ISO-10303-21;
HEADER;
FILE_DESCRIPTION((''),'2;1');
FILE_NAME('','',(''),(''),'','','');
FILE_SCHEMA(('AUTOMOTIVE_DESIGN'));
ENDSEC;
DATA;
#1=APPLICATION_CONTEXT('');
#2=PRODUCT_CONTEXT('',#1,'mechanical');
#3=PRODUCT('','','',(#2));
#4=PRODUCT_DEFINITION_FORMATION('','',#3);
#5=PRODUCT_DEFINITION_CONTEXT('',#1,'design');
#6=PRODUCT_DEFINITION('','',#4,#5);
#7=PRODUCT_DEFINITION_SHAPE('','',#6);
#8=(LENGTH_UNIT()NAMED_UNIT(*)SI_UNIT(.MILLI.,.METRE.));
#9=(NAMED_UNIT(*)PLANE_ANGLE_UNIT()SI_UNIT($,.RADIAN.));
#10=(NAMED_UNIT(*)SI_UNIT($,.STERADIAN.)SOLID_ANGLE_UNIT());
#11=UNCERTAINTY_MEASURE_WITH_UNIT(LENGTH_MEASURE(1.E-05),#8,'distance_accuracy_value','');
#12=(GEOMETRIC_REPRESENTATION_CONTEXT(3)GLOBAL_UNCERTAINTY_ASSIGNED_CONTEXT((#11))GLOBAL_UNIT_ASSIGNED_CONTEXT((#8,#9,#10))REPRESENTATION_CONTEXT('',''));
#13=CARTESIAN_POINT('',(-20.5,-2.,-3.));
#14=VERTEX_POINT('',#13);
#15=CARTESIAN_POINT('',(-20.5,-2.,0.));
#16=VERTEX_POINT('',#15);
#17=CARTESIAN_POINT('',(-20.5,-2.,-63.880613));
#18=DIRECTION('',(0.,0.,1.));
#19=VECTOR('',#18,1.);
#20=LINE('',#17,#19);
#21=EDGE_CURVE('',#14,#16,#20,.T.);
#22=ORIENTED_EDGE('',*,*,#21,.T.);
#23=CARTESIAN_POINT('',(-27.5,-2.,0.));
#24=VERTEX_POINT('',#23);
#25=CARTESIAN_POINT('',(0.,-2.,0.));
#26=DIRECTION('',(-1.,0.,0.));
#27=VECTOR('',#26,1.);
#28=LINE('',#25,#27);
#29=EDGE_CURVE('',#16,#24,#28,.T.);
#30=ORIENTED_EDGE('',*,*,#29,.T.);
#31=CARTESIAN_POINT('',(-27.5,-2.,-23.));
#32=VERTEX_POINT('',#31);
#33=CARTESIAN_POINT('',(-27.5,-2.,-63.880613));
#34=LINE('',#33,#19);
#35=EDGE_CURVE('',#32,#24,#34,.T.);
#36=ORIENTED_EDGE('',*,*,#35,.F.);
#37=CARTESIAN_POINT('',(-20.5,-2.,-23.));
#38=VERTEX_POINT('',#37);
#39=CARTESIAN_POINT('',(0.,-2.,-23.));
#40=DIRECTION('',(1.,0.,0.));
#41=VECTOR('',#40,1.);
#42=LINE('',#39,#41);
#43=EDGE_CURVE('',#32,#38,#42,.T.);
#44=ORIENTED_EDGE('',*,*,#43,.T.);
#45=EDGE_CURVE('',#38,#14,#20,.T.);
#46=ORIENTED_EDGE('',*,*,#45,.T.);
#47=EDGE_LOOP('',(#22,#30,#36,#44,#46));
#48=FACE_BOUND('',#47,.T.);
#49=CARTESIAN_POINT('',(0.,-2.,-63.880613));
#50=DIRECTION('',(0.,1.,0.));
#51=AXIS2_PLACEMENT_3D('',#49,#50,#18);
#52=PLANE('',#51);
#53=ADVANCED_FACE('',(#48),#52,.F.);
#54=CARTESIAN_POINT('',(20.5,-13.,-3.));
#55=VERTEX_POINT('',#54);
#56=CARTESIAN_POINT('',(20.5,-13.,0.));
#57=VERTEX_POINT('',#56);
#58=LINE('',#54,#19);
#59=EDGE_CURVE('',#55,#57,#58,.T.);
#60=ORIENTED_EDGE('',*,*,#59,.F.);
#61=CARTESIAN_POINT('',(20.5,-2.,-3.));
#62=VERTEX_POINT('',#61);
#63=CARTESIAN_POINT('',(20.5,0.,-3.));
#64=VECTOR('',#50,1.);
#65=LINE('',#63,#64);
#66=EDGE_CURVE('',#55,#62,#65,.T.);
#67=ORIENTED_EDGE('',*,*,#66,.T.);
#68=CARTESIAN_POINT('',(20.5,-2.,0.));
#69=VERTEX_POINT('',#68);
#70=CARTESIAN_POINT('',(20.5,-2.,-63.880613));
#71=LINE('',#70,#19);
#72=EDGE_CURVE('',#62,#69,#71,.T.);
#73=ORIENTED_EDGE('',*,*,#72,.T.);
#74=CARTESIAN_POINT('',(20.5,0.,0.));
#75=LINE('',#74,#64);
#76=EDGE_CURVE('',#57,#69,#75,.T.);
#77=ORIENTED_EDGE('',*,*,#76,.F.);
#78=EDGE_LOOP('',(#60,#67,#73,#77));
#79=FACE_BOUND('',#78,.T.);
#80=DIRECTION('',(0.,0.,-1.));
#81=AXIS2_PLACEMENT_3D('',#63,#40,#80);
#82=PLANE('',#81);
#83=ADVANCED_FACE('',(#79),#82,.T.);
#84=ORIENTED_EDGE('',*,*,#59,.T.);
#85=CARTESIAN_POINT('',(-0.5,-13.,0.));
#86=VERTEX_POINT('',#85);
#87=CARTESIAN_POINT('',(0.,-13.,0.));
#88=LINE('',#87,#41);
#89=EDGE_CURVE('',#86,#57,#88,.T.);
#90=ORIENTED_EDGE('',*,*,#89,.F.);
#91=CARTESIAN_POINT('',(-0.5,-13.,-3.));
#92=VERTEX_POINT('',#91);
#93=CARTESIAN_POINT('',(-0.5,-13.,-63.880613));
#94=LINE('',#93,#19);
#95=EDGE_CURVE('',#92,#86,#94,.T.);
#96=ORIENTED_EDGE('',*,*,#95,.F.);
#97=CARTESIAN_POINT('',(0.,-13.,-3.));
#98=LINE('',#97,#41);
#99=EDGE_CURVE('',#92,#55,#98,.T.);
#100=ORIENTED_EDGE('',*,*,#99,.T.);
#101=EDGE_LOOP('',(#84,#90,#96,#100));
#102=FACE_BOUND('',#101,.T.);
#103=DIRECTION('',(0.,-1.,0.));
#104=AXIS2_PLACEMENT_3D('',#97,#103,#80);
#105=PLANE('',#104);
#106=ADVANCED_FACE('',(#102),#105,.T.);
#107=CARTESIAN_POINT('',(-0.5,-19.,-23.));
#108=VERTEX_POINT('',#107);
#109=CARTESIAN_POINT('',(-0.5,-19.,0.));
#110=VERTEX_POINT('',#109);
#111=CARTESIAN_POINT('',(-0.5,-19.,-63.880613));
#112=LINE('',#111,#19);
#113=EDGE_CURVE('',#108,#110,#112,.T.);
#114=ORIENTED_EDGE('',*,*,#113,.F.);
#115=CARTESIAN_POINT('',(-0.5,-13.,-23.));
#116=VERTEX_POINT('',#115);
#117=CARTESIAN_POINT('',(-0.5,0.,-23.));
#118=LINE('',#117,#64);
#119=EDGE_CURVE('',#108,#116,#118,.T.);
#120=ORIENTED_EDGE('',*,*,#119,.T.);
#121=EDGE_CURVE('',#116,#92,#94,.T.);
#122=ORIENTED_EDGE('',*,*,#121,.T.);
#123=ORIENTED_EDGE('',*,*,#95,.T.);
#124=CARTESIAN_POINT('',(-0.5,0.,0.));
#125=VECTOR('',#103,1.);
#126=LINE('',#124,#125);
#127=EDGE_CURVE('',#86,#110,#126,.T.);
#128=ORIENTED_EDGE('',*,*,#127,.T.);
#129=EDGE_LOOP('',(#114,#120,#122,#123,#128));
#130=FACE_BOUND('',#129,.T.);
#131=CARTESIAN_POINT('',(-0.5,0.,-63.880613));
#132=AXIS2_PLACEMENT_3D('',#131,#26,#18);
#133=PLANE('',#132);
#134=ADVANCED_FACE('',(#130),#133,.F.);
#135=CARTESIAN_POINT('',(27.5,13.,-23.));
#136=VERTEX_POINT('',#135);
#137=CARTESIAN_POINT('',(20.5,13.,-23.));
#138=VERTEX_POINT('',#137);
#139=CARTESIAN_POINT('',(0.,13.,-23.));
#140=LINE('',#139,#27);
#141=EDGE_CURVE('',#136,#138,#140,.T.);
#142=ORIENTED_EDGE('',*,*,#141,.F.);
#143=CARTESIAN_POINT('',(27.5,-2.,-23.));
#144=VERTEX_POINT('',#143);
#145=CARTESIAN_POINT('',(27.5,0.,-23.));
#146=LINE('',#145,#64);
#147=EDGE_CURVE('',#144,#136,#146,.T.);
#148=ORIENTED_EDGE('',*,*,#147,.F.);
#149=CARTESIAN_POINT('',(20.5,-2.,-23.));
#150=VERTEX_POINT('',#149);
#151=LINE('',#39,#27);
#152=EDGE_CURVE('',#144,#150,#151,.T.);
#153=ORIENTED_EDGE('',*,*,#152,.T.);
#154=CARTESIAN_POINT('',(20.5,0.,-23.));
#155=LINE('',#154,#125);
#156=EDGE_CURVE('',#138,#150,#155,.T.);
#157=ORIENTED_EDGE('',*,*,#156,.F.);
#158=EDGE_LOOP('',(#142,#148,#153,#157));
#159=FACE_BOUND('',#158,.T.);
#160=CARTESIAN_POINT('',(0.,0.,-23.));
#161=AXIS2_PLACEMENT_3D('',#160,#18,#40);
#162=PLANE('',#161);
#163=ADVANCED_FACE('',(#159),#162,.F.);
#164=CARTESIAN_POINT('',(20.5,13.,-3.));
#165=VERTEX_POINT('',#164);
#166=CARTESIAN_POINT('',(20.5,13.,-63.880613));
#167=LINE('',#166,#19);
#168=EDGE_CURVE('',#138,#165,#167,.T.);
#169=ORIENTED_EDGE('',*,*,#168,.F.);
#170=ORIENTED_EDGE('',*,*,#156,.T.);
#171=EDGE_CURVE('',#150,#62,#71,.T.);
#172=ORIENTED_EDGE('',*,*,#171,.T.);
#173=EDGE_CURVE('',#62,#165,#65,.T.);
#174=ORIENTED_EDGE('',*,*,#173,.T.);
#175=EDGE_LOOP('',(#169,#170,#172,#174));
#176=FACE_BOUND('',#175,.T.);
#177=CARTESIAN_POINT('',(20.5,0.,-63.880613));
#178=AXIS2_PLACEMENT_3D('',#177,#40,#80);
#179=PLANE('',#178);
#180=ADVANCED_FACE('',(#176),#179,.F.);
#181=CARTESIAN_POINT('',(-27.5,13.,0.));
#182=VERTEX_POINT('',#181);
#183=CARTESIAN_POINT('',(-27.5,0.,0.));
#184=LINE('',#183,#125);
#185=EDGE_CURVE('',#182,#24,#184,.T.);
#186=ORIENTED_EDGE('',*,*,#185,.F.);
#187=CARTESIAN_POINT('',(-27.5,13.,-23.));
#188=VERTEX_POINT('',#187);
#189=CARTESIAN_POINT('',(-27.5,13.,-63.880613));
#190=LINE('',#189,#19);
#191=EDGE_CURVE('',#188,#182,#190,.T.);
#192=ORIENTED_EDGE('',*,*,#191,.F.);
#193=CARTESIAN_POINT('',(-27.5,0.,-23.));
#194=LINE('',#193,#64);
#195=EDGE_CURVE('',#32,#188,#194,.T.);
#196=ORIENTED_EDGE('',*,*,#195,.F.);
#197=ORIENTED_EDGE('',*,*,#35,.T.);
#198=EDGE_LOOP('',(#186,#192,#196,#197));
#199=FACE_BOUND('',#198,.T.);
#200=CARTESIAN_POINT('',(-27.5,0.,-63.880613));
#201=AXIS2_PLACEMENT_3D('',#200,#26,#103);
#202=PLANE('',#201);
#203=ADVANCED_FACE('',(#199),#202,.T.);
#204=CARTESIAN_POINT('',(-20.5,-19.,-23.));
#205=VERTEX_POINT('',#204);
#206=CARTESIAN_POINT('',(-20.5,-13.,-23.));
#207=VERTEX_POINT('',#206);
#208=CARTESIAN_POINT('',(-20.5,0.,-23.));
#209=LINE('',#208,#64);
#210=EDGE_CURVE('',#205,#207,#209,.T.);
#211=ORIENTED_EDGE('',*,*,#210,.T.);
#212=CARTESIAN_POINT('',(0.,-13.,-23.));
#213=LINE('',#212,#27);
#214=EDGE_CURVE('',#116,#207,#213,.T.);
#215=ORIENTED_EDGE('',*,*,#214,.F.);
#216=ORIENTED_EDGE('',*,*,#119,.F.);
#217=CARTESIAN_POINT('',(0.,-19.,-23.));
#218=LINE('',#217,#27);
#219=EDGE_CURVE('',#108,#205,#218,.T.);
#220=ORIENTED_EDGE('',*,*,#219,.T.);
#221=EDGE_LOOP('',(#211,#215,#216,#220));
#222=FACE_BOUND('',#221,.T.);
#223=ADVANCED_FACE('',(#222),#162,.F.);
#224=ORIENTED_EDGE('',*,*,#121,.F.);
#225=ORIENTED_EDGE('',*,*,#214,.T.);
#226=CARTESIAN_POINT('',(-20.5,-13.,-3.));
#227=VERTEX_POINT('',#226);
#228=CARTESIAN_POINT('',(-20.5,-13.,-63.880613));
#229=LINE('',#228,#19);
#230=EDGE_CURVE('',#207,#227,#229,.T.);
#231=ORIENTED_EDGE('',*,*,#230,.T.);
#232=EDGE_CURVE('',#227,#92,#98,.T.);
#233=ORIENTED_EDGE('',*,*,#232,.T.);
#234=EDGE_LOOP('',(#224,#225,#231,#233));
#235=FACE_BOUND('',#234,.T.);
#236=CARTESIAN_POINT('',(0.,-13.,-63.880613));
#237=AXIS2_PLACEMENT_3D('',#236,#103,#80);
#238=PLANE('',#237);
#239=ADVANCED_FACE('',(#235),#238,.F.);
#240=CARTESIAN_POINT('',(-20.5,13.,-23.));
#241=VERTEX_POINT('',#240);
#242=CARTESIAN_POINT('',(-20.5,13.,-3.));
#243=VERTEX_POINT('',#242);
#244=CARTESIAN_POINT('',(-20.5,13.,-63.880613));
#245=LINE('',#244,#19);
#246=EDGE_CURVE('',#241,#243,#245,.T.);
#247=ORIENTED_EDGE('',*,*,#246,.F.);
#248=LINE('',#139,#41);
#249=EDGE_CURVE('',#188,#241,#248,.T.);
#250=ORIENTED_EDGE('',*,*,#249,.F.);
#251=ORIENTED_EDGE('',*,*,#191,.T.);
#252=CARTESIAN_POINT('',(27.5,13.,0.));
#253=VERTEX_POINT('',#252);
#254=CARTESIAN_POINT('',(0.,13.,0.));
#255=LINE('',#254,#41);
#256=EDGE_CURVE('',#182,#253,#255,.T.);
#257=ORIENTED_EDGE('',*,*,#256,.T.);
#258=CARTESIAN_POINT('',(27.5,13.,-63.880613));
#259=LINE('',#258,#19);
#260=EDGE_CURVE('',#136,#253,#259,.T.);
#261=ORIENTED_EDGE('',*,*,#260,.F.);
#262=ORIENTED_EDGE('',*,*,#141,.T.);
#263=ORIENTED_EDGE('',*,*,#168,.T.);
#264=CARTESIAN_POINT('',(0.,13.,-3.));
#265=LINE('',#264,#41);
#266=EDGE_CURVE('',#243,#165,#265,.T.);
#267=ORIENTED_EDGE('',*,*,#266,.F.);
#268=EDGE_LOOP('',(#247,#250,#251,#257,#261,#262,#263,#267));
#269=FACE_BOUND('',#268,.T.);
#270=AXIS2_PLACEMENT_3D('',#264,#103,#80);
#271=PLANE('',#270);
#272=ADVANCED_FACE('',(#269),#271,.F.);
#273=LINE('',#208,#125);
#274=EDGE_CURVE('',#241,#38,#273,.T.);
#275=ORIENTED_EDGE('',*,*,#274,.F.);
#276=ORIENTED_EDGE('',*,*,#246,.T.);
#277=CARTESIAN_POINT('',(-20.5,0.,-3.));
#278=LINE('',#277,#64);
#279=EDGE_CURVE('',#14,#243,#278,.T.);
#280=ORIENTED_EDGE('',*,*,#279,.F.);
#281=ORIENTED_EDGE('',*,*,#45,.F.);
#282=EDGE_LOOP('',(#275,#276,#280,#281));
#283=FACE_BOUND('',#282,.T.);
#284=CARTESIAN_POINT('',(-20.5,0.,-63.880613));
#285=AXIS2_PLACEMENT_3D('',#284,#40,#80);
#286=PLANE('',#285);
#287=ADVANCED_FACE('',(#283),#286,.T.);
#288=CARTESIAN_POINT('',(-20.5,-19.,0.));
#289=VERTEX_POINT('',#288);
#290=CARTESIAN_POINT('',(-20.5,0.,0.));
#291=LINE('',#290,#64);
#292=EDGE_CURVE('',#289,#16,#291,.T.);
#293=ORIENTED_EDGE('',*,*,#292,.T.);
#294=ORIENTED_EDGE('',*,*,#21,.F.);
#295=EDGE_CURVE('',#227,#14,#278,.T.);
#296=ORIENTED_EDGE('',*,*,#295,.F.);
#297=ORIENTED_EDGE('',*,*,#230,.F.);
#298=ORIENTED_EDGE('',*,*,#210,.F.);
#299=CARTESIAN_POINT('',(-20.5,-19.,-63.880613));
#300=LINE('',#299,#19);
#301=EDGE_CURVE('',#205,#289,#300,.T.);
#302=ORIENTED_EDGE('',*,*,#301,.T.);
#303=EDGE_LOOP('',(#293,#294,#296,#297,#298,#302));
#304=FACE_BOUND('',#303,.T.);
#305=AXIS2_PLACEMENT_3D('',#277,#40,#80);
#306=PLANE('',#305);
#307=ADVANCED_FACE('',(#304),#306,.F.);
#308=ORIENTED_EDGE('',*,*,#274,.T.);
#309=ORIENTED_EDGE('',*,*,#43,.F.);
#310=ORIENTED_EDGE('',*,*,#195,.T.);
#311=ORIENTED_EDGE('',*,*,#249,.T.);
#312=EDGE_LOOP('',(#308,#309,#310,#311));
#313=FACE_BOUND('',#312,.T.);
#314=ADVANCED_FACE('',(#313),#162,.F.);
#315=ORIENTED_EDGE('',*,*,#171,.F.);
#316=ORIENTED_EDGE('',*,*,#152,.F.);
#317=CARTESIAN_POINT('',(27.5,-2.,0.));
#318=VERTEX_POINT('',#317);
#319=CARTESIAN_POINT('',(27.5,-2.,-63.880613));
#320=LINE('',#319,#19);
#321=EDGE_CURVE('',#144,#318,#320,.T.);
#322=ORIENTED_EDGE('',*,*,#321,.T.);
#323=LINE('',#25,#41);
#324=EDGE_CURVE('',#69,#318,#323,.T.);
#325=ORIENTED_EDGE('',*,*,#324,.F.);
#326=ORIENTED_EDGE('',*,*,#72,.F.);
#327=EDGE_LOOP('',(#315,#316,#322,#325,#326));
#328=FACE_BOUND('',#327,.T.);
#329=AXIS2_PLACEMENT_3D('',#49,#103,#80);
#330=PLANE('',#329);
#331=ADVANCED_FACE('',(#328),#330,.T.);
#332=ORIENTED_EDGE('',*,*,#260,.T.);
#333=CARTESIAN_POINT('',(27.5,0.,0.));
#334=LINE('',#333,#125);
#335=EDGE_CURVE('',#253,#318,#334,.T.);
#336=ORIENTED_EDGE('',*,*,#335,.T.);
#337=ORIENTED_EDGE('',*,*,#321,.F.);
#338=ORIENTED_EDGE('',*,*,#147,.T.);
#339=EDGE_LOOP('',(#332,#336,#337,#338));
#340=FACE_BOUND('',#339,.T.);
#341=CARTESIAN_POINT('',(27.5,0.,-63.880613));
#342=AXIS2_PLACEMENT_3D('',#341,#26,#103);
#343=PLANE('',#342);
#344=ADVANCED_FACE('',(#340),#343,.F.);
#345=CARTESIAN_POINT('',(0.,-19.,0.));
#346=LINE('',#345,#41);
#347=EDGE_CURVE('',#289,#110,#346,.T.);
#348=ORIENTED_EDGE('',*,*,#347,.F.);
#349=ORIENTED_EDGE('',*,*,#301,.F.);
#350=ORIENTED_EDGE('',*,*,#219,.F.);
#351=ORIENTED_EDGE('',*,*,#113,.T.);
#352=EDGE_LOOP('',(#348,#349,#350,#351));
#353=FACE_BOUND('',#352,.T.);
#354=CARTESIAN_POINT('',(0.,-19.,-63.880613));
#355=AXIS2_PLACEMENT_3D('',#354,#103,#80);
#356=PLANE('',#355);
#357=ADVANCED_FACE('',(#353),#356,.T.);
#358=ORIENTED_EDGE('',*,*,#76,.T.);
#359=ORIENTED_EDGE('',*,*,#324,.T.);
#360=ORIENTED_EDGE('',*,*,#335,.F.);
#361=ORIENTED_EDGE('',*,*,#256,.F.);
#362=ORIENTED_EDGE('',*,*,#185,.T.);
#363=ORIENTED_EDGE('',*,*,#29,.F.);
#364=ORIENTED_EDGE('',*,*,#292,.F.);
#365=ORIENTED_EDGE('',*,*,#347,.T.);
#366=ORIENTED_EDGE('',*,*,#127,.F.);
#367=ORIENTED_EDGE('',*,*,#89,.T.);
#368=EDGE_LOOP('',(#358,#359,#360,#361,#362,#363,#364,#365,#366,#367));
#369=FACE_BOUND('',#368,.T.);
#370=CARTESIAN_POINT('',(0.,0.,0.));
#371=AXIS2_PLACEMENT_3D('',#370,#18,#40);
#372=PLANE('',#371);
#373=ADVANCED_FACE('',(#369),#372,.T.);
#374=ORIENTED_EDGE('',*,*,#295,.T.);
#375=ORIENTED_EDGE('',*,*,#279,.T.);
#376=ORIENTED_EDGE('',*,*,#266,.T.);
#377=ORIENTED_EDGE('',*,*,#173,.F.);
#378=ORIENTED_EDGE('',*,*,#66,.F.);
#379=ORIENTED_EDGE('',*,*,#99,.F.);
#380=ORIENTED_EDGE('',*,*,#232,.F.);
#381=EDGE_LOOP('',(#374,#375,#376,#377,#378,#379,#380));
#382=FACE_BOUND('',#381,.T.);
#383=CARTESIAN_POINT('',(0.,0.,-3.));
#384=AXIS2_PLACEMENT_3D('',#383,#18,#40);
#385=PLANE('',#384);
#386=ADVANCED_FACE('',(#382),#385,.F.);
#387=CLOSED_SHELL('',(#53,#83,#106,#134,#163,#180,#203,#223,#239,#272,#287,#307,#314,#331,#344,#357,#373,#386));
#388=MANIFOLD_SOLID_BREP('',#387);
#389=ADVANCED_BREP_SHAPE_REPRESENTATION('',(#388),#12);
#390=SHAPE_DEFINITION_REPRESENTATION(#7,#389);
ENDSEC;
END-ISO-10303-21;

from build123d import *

# Parameters (mm, degrees)
SKETCH1_W           = 41
SKETCH1_H           = 26
BOSS_EXTRUDE1_DEPTH = 3
SKETCH1_3_W         = 20
SKETCH1_3_H         = 6
SKETCH1_3_W_2       = 7
SKETCH1_3_H_2       = 15
BOSS_EXTRUDE2_DEPTH = 23


with BuildPart() as part:
    # Sketch1 → Boss-Extrude1 (new body)
    with BuildSketch(Plane.XY):
        Rectangle(SKETCH1_W, SKETCH1_H)
    extrude(amount=-BOSS_EXTRUDE1_DEPTH)

    # Sketch1<3> → Boss-Extrude2 (add)
    with BuildSketch(Plane.XY):
        with Locations((-10.5, -16)):
            Rectangle(SKETCH1_3_W, SKETCH1_3_H)
        with Locations((-24, 5.5)):
            Rectangle(SKETCH1_3_W_2, SKETCH1_3_H_2)
        with Locations((24, 5.5)):
            Rectangle(SKETCH1_3_W_2, SKETCH1_3_H_2)
    extrude(amount=-BOSS_EXTRUDE2_DEPTH)


solid = part.part
